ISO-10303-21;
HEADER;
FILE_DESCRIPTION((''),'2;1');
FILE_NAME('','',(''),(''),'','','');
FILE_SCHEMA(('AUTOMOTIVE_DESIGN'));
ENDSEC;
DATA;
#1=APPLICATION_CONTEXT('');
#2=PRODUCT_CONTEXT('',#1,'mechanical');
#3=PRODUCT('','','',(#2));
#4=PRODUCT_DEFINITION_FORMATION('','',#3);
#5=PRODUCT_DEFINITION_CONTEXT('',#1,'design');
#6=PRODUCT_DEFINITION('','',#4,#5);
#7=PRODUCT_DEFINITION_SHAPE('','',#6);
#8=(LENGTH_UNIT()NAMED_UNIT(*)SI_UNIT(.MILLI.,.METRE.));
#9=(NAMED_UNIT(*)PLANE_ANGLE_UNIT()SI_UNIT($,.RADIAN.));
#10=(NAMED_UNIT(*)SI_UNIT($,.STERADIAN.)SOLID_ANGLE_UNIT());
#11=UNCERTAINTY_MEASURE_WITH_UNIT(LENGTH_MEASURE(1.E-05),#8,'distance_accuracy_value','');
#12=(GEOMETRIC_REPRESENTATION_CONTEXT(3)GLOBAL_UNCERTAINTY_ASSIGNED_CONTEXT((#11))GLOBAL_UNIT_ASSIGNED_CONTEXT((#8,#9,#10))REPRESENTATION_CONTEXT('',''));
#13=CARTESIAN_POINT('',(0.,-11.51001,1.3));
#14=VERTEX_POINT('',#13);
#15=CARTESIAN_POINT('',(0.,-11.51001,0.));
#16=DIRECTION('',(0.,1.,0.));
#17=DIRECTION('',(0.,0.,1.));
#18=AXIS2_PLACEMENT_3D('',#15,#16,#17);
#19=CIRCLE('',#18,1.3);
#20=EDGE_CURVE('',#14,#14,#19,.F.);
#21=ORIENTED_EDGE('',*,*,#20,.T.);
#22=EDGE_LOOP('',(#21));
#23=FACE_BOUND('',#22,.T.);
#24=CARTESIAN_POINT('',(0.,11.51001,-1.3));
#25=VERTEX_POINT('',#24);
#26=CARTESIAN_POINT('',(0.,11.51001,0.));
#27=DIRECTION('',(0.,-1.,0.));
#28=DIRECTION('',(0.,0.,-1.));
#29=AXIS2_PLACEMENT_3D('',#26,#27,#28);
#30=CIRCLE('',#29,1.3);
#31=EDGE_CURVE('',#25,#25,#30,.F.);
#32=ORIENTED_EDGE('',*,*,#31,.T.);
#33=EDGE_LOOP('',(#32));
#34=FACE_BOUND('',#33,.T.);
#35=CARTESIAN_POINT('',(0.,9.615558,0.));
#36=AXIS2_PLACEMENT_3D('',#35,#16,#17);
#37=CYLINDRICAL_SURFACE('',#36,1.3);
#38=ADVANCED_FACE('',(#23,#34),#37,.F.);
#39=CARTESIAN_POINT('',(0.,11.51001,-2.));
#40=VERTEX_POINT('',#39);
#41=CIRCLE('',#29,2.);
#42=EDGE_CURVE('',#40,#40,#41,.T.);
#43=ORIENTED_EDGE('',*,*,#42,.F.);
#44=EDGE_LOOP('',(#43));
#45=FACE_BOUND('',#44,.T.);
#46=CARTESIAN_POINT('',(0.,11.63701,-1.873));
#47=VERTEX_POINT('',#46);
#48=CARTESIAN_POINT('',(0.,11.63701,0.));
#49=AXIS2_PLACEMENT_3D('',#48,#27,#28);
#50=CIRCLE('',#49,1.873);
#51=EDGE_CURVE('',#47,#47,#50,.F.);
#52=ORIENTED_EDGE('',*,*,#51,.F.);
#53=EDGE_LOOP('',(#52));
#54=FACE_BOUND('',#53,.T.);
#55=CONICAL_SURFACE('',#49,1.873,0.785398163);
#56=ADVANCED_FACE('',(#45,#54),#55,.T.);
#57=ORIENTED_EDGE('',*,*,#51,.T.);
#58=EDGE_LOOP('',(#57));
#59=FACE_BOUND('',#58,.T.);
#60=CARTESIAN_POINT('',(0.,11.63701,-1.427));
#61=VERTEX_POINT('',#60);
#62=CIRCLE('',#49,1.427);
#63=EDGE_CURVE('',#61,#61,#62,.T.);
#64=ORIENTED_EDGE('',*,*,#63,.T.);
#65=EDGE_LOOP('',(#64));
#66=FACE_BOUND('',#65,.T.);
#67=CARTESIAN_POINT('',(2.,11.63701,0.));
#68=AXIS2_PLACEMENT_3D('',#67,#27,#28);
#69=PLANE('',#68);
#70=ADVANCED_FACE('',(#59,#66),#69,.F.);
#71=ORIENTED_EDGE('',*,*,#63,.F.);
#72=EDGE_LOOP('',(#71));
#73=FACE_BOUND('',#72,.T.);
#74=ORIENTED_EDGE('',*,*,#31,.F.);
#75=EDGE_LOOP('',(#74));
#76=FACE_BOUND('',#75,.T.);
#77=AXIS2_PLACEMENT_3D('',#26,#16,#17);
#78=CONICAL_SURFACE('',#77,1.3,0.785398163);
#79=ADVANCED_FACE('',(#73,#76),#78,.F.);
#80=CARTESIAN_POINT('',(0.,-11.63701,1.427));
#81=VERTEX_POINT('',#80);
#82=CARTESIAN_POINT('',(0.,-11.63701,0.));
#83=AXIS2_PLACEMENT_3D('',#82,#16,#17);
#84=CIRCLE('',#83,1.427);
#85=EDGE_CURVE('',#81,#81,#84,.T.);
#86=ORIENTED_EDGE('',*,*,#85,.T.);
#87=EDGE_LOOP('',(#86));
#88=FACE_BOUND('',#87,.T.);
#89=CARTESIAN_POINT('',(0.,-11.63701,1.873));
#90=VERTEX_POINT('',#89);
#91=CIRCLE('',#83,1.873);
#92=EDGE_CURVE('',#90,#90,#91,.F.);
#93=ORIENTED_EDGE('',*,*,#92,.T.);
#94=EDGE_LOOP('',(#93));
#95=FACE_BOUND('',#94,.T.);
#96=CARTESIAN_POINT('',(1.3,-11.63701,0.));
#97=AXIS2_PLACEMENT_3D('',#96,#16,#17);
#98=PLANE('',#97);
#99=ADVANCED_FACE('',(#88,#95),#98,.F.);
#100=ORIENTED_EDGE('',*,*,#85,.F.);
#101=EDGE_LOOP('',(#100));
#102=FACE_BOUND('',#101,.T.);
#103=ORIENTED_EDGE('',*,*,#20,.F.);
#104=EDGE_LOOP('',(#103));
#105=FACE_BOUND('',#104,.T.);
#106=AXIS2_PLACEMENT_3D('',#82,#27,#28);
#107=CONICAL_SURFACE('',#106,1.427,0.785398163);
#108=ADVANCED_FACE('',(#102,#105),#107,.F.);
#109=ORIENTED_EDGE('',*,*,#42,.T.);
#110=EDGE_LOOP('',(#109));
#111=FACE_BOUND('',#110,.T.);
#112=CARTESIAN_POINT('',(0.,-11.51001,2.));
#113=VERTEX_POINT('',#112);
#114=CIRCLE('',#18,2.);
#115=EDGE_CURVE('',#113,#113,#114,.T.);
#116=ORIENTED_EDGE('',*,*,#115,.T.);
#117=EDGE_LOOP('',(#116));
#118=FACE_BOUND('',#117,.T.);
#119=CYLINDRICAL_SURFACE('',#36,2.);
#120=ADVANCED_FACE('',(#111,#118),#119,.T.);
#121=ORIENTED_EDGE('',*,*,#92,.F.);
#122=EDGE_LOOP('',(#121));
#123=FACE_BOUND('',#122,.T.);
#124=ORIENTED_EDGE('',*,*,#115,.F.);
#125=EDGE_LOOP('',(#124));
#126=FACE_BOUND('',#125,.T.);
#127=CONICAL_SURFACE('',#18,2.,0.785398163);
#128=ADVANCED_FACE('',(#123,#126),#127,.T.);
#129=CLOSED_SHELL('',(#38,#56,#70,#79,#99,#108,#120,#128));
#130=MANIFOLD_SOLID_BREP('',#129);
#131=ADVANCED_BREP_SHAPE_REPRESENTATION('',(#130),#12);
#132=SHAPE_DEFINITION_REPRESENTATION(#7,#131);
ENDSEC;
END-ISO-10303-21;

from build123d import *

# Parameters (mm, degrees)
SKETCH1_W     = 0.7
SKETCH1_H     = 23.27402
CHAMFER1_SIZE = 0.127


with BuildPart() as part:
    # Sketch1 → Revolve1 (revolve)
    with BuildSketch(Plane.XY):
        with Locations((1.65, 0)):
            Rectangle(SKETCH1_W, SKETCH1_H)
    revolve(axis=Axis((0, 9.615558323, 0), (0, -1, 0)))

    # Chamfer1
    chamfer1_edges = [part.edges().sort_by_distance(p)[0] for p in [
        (-1.3, 11.63701, 0),
        (-2, 11.63701, 0),
        (-2, -11.63701, 0),
        (-1.3, -11.63701, 0),
    ]]
    chamfer(chamfer1_edges, length=CHAMFER1_SIZE)


solid = part.part
